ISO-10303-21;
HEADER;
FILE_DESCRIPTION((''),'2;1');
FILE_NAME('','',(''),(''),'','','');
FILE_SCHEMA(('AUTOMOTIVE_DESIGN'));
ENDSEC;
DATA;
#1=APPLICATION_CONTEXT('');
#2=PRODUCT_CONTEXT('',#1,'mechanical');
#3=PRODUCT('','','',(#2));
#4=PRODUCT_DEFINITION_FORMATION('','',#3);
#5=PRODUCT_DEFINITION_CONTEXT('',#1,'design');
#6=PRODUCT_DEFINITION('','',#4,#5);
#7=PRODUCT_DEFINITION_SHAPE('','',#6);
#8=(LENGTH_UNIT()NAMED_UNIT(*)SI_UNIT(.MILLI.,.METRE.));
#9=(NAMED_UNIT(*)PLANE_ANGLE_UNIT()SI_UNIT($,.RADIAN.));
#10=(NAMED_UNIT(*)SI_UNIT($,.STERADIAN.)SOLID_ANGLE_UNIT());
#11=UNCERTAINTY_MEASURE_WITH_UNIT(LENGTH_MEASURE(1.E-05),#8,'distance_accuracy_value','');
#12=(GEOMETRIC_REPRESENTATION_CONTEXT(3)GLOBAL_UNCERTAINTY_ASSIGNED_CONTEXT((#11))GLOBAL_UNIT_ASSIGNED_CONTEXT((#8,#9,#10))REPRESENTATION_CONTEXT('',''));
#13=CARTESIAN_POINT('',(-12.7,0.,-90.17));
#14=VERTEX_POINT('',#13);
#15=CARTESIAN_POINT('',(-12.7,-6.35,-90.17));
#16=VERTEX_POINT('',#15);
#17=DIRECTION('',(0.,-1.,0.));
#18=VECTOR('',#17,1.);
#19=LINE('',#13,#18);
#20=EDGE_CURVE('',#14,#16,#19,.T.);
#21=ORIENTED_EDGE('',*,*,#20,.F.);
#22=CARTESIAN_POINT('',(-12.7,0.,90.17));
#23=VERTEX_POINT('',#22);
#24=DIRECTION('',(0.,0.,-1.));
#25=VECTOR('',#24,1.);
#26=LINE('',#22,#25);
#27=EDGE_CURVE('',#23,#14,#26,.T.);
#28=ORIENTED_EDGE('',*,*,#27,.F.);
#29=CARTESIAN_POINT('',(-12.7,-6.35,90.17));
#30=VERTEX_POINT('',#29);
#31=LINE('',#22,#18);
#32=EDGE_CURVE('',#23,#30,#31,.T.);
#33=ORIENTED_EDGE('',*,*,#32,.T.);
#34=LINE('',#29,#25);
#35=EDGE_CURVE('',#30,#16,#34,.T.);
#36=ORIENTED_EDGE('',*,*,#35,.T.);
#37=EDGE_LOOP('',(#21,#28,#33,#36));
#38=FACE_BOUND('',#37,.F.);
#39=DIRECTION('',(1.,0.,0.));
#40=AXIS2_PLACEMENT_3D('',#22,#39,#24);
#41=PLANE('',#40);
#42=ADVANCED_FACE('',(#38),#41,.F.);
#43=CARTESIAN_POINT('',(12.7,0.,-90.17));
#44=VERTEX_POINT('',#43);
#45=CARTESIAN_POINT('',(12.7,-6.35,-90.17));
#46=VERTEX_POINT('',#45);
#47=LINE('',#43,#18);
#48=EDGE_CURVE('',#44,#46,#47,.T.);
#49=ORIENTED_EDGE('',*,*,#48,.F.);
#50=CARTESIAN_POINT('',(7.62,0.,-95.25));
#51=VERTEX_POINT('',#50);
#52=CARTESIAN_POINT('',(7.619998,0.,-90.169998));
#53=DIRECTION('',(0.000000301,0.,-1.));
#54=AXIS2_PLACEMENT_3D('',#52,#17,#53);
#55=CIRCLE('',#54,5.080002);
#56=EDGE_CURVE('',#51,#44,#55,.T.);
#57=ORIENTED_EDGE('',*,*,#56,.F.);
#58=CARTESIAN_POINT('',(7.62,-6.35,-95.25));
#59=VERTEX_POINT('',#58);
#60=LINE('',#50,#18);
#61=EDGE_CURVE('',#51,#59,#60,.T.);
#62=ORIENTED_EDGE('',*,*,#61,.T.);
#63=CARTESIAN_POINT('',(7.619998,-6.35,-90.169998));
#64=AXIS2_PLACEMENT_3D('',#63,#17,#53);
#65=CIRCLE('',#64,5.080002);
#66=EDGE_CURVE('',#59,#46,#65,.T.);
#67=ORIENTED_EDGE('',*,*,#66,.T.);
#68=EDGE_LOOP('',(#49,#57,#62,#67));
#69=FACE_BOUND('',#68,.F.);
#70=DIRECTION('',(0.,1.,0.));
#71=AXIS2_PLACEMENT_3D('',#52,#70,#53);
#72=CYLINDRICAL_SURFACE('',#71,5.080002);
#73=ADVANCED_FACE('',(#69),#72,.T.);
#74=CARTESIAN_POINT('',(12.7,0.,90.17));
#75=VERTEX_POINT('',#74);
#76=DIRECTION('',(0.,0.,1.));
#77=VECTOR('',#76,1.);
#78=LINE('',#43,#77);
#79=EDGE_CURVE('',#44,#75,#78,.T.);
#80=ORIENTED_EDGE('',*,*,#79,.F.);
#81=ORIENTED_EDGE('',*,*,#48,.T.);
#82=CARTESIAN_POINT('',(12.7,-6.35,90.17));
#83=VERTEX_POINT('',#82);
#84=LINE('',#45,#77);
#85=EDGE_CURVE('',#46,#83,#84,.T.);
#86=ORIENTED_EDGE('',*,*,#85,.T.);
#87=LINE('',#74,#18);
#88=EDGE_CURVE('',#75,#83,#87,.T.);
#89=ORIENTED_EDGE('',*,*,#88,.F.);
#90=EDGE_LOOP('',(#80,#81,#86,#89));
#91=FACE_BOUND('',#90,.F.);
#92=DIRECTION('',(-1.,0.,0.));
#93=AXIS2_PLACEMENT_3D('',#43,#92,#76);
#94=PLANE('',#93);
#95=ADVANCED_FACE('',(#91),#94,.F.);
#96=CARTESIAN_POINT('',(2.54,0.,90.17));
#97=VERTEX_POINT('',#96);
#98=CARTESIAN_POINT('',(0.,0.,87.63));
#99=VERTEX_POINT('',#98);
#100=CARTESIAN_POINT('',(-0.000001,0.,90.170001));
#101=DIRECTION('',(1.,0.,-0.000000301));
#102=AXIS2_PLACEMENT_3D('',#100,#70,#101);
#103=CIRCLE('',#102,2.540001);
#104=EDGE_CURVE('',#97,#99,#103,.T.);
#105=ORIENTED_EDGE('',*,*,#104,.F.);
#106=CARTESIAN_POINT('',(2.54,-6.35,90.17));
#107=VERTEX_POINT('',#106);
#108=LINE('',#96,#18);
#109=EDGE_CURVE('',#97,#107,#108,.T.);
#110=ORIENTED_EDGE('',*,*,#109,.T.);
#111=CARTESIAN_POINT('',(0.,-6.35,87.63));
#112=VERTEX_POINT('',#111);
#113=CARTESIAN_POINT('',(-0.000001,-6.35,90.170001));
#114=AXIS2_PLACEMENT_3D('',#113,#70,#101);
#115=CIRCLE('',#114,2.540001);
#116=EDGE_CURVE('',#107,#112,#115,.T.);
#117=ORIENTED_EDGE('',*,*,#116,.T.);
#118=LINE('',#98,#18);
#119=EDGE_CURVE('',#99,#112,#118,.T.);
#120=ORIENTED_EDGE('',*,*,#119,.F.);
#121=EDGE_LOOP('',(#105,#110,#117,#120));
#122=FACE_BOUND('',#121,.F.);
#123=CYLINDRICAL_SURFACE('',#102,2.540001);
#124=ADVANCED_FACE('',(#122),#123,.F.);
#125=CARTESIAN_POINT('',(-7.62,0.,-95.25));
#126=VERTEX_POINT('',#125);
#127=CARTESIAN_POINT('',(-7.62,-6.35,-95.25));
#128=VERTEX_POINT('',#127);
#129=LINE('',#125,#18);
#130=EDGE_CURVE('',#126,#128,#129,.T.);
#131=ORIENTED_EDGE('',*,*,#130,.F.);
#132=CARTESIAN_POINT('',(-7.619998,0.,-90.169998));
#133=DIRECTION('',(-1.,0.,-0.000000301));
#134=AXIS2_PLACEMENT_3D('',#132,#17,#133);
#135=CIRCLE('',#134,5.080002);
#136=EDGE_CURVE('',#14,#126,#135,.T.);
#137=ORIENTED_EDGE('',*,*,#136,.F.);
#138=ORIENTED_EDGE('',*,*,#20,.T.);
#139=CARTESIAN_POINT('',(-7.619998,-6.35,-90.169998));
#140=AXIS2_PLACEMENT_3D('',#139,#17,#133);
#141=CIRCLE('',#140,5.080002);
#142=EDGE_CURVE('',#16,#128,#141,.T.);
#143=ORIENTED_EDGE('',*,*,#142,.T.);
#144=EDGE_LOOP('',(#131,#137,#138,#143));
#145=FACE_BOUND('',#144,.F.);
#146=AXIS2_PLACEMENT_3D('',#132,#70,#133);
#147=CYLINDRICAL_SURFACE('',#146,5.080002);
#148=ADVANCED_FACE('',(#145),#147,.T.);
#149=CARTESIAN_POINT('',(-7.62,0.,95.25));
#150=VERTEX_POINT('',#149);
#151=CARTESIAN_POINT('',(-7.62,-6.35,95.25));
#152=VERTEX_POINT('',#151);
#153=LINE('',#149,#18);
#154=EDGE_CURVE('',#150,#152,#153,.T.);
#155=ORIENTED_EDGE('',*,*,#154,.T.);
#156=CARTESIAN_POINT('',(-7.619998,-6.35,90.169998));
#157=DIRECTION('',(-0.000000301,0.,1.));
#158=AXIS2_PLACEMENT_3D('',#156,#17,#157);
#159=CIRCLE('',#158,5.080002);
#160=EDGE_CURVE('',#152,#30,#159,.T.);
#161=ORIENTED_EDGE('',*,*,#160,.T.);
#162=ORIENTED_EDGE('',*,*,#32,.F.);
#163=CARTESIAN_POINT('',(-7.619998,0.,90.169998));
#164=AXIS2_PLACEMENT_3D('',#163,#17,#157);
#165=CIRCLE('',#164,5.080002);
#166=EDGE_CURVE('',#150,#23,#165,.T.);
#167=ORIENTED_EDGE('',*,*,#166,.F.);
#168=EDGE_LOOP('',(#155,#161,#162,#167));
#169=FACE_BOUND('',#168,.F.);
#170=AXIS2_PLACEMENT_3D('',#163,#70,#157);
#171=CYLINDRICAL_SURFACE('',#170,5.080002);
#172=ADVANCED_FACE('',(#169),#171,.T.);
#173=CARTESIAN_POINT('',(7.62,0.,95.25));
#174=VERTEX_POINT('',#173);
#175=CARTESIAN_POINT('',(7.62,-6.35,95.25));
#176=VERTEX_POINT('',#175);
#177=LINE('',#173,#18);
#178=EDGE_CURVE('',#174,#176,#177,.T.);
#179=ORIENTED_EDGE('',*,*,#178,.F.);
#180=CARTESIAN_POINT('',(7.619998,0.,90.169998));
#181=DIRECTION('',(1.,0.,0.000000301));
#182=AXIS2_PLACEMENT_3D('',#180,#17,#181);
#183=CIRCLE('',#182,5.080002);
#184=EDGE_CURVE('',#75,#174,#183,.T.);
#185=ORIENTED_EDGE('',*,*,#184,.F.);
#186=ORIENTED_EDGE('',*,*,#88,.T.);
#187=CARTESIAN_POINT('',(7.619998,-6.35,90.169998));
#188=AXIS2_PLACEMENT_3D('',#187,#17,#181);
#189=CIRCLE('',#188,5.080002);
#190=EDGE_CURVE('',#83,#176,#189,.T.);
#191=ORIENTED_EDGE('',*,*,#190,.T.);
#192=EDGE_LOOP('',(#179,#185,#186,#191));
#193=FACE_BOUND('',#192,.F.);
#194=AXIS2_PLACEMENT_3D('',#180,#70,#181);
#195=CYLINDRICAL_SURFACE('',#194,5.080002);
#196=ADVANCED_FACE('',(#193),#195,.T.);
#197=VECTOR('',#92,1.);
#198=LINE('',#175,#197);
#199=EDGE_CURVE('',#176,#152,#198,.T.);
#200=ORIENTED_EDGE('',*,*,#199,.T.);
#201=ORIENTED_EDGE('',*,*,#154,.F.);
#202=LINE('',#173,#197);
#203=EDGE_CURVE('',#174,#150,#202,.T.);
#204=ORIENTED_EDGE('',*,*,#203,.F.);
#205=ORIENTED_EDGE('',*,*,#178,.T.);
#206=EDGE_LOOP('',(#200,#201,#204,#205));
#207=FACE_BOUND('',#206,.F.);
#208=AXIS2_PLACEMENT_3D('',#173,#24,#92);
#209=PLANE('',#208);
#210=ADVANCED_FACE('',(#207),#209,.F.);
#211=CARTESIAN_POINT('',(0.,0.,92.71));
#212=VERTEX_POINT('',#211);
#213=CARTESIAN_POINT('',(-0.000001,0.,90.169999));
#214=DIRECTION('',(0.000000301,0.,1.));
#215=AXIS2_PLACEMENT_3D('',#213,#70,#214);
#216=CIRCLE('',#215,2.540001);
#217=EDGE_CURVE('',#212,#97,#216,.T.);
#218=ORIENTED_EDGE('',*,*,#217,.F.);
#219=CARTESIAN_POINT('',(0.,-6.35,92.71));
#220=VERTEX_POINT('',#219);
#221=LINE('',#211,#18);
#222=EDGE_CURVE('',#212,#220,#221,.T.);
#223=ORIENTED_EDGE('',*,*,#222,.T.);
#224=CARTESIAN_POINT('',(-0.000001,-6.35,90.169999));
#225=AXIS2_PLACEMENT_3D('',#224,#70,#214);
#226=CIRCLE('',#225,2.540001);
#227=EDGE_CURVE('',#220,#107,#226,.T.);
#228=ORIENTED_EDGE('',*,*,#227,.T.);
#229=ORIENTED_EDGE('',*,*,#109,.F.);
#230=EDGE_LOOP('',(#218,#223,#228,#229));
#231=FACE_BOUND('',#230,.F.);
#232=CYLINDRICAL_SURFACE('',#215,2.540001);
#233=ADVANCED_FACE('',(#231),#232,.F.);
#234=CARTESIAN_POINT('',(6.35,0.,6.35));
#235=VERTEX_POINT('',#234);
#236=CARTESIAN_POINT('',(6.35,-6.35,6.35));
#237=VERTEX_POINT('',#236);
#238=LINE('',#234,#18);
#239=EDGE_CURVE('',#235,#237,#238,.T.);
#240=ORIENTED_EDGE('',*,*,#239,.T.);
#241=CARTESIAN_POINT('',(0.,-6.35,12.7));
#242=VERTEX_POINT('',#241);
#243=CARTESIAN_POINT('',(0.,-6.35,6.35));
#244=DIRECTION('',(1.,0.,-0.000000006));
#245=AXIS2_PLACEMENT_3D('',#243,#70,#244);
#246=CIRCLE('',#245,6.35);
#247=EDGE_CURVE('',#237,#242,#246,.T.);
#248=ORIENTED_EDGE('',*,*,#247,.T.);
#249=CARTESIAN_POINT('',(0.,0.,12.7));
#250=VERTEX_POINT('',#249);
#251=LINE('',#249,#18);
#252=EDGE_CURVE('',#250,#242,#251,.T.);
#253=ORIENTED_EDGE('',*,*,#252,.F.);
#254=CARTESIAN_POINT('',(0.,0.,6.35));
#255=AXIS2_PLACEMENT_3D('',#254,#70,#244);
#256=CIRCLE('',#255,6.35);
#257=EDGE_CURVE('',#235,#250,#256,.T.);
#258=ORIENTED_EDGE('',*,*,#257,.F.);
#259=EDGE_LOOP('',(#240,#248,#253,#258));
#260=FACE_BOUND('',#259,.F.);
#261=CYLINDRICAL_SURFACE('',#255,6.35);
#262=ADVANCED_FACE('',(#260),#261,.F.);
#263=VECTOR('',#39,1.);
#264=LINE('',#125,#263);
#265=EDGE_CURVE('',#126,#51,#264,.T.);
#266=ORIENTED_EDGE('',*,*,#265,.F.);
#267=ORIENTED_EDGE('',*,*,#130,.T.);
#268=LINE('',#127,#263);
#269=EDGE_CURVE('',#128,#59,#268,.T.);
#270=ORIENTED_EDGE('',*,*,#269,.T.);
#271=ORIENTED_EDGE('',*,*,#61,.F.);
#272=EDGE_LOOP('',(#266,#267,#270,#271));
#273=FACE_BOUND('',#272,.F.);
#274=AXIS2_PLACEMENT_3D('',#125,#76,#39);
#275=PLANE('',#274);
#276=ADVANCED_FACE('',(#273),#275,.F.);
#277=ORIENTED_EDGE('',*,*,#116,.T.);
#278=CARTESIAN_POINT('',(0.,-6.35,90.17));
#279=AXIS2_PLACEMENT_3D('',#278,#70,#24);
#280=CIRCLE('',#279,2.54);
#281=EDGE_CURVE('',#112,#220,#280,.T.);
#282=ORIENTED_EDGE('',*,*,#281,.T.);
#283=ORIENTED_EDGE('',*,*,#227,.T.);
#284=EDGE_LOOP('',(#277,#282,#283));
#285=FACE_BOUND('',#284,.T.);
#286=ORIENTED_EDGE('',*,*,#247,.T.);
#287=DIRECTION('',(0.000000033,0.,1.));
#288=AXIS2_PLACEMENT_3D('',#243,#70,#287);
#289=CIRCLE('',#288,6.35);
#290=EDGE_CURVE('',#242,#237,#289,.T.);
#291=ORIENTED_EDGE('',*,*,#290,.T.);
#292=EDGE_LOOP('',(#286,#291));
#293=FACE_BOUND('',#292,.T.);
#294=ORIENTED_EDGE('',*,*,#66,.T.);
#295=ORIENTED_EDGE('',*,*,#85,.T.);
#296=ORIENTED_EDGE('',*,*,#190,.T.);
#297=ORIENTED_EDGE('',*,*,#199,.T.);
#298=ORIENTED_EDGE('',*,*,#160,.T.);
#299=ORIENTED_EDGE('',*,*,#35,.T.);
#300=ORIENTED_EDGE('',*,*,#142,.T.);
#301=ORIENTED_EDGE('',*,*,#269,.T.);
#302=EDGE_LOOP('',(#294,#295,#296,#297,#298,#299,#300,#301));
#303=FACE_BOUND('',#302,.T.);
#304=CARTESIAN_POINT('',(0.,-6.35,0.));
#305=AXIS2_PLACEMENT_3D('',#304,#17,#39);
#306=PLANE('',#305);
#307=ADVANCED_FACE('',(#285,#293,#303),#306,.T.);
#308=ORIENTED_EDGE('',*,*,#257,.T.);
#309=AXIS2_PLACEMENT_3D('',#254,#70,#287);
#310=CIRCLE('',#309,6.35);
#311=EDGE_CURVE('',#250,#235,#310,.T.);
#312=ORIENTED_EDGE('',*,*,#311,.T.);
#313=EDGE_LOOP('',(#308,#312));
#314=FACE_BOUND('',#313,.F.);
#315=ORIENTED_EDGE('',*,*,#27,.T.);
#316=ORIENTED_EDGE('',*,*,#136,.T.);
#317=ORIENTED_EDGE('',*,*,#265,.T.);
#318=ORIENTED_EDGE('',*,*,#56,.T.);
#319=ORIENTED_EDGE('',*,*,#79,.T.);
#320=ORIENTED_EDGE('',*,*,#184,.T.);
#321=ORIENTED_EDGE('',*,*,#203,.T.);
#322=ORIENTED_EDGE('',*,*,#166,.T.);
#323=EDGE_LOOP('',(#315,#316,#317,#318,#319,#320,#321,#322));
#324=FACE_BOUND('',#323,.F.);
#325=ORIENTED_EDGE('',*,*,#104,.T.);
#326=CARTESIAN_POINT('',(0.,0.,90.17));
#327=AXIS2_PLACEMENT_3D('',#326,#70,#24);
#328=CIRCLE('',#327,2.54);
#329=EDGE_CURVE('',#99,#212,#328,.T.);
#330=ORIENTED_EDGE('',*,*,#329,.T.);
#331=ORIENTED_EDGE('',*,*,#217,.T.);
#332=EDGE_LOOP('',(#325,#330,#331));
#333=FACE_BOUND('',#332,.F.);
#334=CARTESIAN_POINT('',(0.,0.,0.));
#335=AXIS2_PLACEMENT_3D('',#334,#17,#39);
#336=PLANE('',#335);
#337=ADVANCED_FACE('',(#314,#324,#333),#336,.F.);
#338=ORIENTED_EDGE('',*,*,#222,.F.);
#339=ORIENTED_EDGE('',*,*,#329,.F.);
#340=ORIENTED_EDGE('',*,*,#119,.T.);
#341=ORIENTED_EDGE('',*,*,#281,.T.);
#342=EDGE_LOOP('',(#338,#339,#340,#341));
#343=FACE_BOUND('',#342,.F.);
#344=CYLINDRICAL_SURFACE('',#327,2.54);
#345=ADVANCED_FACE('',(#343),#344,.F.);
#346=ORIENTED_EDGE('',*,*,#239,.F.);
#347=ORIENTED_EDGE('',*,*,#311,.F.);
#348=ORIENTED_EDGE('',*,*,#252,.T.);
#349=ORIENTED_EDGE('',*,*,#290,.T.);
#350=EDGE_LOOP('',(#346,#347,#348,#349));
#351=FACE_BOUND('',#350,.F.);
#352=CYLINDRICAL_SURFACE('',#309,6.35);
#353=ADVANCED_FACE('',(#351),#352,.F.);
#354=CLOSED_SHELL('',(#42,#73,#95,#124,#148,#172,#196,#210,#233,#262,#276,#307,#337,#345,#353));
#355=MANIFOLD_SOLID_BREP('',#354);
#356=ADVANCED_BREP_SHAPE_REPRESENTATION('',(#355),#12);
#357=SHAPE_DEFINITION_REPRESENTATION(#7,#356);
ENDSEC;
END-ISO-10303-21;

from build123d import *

# Parameters (mm, degrees)
F1_DEPTH = 6.35


with BuildPart() as f1:
    # F0 (on Front) → F1 (new body)
    with BuildSketch(Plane.XZ):
        with BuildLine():
            ThreePointArc((12.7, 90.17), (11.212102, 93.762102), (7.62, 95.25))
            Line((7.62, 95.25), (0, 95.25))
            Line((0, 95.25), (-7.62, 95.25))
            ThreePointArc((-7.62, 95.25), (-11.212102, 93.762102), (-12.7, 90.17))
            Line((-12.7, 90.17), (-12.7, -90.17))
            ThreePointArc((-12.7, -90.17), (-11.212102, -93.762102), (-7.62, -95.25))
            Line((-7.62, -95.25), (7.62, -95.25))
            ThreePointArc((7.62, -95.25), (11.212102, -93.762102), (12.7, -90.17))
            Line((12.7, -90.17), (12.7, 90.17))
        make_face()
        with BuildLine():
            ThreePointArc((6.35, 6.35), (-4.490128, 1.859872), (0, 12.7))
            ThreePointArc((0, 12.7), (4.490128, 10.840128), (6.35, 6.35))
        make_face(mode=Mode.SUBTRACT)
        with BuildLine():
            ThreePointArc((0, 87.63), (-2.54, 90.17), (0, 92.71))
            ThreePointArc((0, 92.71), (1.796051, 91.966051), (2.54, 90.17))
            ThreePointArc((2.54, 90.17), (1.796051, 88.373949), (0, 87.63))
        make_face(mode=Mode.SUBTRACT)
    extrude(amount=F1_DEPTH)


solid = f1.part
